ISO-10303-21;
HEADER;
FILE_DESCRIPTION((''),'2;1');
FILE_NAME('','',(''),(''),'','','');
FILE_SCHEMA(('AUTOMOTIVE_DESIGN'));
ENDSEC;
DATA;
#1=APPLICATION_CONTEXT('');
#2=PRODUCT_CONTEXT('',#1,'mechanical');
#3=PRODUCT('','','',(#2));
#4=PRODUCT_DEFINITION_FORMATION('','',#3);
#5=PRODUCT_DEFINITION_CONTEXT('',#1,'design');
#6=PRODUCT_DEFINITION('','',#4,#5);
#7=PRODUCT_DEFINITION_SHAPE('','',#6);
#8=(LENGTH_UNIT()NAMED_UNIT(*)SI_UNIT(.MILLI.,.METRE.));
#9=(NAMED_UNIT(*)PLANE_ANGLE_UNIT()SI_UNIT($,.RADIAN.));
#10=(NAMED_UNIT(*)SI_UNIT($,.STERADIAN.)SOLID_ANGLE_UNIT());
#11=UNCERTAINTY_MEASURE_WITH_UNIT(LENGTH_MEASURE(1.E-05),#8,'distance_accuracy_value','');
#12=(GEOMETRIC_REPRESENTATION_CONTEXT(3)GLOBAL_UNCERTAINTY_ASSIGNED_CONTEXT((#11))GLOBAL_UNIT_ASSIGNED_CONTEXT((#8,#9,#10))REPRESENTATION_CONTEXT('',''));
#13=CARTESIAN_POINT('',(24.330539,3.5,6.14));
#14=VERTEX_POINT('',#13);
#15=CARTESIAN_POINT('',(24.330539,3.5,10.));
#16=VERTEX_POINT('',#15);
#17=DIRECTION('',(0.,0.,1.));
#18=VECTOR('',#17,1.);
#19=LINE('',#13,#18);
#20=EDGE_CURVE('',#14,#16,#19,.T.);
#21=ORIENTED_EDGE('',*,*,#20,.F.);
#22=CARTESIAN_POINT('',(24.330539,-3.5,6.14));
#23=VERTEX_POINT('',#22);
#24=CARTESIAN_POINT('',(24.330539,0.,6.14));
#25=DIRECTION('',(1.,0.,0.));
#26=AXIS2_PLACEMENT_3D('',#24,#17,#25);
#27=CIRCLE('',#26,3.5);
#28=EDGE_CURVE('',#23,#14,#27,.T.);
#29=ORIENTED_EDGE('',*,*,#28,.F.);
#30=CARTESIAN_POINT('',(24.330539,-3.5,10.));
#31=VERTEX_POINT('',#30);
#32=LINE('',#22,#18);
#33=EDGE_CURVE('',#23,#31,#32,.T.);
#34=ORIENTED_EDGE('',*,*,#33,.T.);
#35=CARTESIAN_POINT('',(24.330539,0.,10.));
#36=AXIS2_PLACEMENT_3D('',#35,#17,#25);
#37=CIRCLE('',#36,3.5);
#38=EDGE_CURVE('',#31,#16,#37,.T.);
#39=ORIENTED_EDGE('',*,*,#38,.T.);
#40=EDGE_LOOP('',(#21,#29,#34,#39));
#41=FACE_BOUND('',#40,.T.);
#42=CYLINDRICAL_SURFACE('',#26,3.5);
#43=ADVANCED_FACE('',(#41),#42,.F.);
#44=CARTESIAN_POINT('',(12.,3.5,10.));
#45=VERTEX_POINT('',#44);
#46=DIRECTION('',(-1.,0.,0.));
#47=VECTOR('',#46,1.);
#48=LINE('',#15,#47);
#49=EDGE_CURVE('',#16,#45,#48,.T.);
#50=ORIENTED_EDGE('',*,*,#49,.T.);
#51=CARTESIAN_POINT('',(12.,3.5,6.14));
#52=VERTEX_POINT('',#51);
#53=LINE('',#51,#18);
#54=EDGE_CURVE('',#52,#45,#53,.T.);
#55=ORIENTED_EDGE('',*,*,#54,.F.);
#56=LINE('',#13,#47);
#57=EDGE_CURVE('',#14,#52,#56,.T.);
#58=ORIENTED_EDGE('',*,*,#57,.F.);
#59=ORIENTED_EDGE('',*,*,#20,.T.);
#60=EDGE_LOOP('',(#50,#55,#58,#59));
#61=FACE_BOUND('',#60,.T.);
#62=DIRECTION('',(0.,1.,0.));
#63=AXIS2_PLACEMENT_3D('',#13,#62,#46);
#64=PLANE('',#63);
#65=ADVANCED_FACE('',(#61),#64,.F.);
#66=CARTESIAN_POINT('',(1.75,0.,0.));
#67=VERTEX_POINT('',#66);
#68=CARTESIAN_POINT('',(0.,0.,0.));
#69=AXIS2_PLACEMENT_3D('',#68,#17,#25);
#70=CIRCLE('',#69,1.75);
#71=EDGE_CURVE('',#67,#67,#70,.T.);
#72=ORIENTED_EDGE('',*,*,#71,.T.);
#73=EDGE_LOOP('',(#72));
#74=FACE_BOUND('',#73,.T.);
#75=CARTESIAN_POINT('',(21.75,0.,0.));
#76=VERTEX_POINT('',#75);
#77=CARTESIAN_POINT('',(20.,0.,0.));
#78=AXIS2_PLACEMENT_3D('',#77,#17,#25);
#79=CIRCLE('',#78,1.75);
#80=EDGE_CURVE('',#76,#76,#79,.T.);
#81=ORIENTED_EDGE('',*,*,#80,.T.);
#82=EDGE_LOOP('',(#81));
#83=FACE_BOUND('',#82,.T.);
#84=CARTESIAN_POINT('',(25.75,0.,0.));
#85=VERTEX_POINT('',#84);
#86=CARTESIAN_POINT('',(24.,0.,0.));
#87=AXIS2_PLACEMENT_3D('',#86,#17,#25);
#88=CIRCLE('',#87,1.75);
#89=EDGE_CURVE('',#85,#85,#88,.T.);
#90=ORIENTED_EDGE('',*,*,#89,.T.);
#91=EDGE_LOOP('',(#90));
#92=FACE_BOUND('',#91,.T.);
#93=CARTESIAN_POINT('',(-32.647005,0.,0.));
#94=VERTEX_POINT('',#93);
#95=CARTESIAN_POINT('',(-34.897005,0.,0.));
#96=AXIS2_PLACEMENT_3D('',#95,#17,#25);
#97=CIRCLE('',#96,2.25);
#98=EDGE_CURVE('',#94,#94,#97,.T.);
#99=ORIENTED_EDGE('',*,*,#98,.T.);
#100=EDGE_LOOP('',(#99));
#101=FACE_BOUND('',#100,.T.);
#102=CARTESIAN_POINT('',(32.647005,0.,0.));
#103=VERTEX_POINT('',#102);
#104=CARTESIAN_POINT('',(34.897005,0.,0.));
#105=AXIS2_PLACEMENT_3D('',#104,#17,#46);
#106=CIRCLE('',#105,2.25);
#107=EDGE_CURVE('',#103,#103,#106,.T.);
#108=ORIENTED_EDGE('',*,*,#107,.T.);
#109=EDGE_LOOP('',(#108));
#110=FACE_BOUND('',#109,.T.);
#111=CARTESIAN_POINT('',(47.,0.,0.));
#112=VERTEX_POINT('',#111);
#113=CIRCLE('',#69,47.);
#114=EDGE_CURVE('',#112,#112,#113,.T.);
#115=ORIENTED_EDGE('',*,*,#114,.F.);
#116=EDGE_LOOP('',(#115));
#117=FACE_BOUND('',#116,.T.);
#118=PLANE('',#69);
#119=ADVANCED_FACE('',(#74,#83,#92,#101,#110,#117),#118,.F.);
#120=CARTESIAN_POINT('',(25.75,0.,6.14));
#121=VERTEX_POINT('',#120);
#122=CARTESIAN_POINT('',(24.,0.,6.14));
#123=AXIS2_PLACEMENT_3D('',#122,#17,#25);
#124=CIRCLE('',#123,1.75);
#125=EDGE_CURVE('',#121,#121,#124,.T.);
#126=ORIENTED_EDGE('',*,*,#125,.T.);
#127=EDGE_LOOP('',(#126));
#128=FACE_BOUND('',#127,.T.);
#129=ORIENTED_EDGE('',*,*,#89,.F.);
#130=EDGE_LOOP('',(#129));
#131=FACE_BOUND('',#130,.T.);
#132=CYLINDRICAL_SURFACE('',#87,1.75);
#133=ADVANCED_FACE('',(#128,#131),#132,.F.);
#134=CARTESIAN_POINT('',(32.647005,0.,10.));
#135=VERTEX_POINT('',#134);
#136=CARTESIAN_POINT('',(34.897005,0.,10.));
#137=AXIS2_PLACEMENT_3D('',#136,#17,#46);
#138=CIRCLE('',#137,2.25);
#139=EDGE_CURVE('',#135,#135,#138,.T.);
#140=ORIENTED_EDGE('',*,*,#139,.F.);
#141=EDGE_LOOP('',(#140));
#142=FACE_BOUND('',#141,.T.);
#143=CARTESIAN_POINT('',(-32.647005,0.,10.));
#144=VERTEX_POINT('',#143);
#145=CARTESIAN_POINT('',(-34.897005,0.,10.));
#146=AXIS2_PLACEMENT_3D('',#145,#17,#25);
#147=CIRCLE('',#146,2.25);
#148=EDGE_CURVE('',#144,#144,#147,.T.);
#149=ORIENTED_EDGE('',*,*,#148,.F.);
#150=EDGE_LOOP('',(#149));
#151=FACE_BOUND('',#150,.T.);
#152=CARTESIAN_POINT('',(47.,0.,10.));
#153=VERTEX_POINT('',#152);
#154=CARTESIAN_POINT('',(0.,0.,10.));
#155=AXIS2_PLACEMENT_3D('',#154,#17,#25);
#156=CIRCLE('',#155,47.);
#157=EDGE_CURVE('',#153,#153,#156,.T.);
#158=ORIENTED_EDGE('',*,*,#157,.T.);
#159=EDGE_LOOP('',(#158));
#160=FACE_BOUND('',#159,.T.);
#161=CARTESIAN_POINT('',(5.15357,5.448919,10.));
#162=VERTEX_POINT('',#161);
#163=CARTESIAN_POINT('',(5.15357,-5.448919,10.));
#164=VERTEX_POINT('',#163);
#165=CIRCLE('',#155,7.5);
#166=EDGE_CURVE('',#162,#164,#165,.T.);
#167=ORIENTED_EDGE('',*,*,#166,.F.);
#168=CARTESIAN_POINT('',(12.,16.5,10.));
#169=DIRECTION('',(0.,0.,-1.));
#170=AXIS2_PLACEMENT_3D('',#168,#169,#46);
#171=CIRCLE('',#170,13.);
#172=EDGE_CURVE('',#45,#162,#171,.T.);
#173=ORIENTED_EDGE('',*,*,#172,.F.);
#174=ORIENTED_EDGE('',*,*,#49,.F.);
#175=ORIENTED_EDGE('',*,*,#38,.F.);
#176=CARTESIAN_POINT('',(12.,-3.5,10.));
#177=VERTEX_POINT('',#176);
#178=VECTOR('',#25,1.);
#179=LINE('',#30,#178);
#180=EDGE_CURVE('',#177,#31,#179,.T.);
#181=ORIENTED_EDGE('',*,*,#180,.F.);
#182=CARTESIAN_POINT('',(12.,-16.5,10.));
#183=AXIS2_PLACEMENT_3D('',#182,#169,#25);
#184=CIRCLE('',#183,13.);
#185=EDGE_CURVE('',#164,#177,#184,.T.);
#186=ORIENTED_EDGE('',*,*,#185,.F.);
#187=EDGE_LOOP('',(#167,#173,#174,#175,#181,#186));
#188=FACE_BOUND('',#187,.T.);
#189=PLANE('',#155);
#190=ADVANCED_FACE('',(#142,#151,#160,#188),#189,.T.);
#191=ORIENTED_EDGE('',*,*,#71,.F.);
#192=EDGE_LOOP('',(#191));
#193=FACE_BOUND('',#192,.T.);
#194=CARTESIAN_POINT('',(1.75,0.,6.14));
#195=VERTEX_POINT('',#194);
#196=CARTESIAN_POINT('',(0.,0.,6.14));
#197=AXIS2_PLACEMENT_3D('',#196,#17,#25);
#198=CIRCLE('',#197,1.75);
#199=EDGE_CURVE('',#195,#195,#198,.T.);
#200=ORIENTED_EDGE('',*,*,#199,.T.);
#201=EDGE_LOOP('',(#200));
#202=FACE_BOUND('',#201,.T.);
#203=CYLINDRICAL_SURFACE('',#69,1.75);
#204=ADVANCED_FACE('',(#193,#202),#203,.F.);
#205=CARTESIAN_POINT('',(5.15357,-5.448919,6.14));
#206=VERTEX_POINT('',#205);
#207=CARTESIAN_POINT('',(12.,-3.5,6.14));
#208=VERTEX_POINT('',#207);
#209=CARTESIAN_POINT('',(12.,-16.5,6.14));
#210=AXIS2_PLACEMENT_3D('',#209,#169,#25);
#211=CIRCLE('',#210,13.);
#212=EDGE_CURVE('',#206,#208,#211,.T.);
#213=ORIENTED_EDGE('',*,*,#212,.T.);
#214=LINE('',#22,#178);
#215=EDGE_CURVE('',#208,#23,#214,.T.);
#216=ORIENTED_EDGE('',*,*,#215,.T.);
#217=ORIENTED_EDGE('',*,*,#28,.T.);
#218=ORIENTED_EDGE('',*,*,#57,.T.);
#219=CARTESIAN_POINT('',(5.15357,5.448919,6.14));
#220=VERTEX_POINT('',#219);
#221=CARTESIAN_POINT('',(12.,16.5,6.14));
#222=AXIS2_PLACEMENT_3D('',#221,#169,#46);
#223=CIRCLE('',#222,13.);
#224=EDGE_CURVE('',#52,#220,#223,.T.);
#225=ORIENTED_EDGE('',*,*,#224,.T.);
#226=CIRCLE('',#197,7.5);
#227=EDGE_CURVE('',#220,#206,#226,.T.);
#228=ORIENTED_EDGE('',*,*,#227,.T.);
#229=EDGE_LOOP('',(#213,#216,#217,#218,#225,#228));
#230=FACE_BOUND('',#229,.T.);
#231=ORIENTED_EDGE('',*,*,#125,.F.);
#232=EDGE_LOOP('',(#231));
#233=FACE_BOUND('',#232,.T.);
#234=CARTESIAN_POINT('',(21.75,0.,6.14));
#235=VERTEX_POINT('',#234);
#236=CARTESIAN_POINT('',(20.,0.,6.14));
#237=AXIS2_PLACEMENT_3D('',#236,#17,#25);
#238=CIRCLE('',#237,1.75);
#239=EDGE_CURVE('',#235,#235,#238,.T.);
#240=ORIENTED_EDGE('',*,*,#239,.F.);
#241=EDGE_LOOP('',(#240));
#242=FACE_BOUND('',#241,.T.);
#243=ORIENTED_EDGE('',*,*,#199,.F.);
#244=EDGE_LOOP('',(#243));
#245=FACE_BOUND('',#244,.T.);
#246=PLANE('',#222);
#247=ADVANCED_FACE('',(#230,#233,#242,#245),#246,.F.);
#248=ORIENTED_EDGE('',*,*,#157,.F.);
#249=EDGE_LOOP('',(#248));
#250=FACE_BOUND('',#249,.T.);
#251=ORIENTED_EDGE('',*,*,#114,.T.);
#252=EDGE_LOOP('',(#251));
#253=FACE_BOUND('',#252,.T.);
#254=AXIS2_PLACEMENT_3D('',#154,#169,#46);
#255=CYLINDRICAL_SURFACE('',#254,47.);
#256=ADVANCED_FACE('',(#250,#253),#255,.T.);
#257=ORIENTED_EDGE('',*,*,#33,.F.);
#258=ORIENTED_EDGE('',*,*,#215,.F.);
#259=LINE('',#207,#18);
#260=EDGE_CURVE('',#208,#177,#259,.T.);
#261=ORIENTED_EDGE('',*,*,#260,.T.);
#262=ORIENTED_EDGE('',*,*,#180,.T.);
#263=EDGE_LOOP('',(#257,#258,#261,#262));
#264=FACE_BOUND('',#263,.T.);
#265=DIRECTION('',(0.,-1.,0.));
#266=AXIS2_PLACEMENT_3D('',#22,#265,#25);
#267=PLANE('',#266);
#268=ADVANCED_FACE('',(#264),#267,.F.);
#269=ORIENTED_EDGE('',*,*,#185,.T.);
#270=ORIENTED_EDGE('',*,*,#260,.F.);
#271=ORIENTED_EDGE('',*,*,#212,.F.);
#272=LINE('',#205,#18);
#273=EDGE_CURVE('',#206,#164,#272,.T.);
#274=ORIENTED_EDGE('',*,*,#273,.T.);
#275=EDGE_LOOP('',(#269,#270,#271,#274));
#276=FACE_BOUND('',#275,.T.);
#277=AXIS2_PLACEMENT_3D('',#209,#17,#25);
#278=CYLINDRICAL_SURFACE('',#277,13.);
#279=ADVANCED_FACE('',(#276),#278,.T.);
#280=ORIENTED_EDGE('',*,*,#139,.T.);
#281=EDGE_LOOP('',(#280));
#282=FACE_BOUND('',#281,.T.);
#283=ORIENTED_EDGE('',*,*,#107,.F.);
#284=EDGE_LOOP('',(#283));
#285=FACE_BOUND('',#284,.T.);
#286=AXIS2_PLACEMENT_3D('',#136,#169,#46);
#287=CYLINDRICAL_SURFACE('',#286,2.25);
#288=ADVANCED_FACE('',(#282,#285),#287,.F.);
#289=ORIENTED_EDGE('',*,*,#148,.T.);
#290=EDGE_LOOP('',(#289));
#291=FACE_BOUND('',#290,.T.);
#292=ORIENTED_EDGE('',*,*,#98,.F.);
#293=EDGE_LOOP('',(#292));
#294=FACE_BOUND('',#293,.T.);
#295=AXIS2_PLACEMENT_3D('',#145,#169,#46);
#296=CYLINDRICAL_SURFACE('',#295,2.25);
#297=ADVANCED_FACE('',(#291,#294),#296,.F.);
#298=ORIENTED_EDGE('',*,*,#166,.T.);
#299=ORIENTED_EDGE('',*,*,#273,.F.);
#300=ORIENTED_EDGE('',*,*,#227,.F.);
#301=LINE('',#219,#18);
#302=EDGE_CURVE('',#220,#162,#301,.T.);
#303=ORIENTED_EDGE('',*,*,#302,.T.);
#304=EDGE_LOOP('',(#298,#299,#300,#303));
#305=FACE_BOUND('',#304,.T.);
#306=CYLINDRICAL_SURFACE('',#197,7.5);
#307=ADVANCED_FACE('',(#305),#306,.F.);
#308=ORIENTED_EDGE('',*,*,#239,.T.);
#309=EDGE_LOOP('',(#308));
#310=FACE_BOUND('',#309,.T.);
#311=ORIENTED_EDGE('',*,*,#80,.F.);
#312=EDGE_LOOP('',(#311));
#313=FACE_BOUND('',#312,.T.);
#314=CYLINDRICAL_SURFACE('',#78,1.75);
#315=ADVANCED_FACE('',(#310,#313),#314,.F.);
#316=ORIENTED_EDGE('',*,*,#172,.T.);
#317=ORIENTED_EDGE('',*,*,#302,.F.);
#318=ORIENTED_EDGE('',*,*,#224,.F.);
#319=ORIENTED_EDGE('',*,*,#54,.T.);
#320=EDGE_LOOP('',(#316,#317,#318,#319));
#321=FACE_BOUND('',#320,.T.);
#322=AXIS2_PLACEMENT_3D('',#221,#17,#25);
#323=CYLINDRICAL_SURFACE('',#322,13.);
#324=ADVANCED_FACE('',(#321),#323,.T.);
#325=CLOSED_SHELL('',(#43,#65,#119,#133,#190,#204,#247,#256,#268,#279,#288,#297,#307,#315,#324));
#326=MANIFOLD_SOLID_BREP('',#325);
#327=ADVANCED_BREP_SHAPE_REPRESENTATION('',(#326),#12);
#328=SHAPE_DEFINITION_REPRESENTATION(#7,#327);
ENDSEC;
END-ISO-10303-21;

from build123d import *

# Parameters (mm, degrees)
SKETCH1_R           = 47
SKETCH1_R_2         = 2.25
BOSS_EXTRUDE1_DEPTH = 10
CUT_EXTRUDE1_DEPTH  = 3.86
SKETCH3_R           = 1.75
CUT_EXTRUDE2_DEPTH  = 67.751026958


with BuildPart() as part:
    # Sketch1 → Boss-Extrude1 (new body)
    with BuildSketch(Plane(origin=(0, 0, 0), x_dir=(0, 1, 0), z_dir=(0, 0, 1))):
        with Locations(Location((0, 0, 0), (0, 0, 270))):
            Circle(SKETCH1_R)
        with Locations(Location((0, 34.897005385, 0), (0, 0, 270))):
            Circle(SKETCH1_R_2, mode=Mode.SUBTRACT)
        with Locations(Location((0, -34.897005385, 0), (0, 0, 90))):
            Circle(SKETCH1_R_2, mode=Mode.SUBTRACT)
    extrude(amount=BOSS_EXTRUDE1_DEPTH)

    # Sketch2 → Cut-Extrude1 (cut)
    with BuildSketch(Plane.XY.offset(10)):
        with BuildLine():
            Line((24.33053856, 3.5), (12, 3.5))
            ThreePointArc((12, 3.5), (8.440790603, 3.996719292), (5.153570125, 5.448918697))
            ThreePointArc((5.153570125, 5.448918697), (-7.5, 0), (5.153570125, -5.448918697))
            ThreePointArc((5.153570125, -5.448918697), (8.440790603, -3.996719292), (12, -3.5))
            Line((12, -3.5), (24.33053856, -3.5))
            ThreePointArc((24.33053856, -3.5), (27.83053856, 0), (24.33053856, 3.5))
        make_face()
    extrude(amount=-CUT_EXTRUDE1_DEPTH, mode=Mode.SUBTRACT)

    # Sketch3 → Cut-Extrude2 (cut, through all)
    with BuildSketch(Plane.XY.offset(6.14)):
        Circle(SKETCH3_R)
        with Locations((20, 0)):
            Circle(SKETCH3_R)
        with Locations((24, 0)):
            Circle(SKETCH3_R)
    extrude(amount=-CUT_EXTRUDE2_DEPTH, mode=Mode.SUBTRACT)


solid = part.part
